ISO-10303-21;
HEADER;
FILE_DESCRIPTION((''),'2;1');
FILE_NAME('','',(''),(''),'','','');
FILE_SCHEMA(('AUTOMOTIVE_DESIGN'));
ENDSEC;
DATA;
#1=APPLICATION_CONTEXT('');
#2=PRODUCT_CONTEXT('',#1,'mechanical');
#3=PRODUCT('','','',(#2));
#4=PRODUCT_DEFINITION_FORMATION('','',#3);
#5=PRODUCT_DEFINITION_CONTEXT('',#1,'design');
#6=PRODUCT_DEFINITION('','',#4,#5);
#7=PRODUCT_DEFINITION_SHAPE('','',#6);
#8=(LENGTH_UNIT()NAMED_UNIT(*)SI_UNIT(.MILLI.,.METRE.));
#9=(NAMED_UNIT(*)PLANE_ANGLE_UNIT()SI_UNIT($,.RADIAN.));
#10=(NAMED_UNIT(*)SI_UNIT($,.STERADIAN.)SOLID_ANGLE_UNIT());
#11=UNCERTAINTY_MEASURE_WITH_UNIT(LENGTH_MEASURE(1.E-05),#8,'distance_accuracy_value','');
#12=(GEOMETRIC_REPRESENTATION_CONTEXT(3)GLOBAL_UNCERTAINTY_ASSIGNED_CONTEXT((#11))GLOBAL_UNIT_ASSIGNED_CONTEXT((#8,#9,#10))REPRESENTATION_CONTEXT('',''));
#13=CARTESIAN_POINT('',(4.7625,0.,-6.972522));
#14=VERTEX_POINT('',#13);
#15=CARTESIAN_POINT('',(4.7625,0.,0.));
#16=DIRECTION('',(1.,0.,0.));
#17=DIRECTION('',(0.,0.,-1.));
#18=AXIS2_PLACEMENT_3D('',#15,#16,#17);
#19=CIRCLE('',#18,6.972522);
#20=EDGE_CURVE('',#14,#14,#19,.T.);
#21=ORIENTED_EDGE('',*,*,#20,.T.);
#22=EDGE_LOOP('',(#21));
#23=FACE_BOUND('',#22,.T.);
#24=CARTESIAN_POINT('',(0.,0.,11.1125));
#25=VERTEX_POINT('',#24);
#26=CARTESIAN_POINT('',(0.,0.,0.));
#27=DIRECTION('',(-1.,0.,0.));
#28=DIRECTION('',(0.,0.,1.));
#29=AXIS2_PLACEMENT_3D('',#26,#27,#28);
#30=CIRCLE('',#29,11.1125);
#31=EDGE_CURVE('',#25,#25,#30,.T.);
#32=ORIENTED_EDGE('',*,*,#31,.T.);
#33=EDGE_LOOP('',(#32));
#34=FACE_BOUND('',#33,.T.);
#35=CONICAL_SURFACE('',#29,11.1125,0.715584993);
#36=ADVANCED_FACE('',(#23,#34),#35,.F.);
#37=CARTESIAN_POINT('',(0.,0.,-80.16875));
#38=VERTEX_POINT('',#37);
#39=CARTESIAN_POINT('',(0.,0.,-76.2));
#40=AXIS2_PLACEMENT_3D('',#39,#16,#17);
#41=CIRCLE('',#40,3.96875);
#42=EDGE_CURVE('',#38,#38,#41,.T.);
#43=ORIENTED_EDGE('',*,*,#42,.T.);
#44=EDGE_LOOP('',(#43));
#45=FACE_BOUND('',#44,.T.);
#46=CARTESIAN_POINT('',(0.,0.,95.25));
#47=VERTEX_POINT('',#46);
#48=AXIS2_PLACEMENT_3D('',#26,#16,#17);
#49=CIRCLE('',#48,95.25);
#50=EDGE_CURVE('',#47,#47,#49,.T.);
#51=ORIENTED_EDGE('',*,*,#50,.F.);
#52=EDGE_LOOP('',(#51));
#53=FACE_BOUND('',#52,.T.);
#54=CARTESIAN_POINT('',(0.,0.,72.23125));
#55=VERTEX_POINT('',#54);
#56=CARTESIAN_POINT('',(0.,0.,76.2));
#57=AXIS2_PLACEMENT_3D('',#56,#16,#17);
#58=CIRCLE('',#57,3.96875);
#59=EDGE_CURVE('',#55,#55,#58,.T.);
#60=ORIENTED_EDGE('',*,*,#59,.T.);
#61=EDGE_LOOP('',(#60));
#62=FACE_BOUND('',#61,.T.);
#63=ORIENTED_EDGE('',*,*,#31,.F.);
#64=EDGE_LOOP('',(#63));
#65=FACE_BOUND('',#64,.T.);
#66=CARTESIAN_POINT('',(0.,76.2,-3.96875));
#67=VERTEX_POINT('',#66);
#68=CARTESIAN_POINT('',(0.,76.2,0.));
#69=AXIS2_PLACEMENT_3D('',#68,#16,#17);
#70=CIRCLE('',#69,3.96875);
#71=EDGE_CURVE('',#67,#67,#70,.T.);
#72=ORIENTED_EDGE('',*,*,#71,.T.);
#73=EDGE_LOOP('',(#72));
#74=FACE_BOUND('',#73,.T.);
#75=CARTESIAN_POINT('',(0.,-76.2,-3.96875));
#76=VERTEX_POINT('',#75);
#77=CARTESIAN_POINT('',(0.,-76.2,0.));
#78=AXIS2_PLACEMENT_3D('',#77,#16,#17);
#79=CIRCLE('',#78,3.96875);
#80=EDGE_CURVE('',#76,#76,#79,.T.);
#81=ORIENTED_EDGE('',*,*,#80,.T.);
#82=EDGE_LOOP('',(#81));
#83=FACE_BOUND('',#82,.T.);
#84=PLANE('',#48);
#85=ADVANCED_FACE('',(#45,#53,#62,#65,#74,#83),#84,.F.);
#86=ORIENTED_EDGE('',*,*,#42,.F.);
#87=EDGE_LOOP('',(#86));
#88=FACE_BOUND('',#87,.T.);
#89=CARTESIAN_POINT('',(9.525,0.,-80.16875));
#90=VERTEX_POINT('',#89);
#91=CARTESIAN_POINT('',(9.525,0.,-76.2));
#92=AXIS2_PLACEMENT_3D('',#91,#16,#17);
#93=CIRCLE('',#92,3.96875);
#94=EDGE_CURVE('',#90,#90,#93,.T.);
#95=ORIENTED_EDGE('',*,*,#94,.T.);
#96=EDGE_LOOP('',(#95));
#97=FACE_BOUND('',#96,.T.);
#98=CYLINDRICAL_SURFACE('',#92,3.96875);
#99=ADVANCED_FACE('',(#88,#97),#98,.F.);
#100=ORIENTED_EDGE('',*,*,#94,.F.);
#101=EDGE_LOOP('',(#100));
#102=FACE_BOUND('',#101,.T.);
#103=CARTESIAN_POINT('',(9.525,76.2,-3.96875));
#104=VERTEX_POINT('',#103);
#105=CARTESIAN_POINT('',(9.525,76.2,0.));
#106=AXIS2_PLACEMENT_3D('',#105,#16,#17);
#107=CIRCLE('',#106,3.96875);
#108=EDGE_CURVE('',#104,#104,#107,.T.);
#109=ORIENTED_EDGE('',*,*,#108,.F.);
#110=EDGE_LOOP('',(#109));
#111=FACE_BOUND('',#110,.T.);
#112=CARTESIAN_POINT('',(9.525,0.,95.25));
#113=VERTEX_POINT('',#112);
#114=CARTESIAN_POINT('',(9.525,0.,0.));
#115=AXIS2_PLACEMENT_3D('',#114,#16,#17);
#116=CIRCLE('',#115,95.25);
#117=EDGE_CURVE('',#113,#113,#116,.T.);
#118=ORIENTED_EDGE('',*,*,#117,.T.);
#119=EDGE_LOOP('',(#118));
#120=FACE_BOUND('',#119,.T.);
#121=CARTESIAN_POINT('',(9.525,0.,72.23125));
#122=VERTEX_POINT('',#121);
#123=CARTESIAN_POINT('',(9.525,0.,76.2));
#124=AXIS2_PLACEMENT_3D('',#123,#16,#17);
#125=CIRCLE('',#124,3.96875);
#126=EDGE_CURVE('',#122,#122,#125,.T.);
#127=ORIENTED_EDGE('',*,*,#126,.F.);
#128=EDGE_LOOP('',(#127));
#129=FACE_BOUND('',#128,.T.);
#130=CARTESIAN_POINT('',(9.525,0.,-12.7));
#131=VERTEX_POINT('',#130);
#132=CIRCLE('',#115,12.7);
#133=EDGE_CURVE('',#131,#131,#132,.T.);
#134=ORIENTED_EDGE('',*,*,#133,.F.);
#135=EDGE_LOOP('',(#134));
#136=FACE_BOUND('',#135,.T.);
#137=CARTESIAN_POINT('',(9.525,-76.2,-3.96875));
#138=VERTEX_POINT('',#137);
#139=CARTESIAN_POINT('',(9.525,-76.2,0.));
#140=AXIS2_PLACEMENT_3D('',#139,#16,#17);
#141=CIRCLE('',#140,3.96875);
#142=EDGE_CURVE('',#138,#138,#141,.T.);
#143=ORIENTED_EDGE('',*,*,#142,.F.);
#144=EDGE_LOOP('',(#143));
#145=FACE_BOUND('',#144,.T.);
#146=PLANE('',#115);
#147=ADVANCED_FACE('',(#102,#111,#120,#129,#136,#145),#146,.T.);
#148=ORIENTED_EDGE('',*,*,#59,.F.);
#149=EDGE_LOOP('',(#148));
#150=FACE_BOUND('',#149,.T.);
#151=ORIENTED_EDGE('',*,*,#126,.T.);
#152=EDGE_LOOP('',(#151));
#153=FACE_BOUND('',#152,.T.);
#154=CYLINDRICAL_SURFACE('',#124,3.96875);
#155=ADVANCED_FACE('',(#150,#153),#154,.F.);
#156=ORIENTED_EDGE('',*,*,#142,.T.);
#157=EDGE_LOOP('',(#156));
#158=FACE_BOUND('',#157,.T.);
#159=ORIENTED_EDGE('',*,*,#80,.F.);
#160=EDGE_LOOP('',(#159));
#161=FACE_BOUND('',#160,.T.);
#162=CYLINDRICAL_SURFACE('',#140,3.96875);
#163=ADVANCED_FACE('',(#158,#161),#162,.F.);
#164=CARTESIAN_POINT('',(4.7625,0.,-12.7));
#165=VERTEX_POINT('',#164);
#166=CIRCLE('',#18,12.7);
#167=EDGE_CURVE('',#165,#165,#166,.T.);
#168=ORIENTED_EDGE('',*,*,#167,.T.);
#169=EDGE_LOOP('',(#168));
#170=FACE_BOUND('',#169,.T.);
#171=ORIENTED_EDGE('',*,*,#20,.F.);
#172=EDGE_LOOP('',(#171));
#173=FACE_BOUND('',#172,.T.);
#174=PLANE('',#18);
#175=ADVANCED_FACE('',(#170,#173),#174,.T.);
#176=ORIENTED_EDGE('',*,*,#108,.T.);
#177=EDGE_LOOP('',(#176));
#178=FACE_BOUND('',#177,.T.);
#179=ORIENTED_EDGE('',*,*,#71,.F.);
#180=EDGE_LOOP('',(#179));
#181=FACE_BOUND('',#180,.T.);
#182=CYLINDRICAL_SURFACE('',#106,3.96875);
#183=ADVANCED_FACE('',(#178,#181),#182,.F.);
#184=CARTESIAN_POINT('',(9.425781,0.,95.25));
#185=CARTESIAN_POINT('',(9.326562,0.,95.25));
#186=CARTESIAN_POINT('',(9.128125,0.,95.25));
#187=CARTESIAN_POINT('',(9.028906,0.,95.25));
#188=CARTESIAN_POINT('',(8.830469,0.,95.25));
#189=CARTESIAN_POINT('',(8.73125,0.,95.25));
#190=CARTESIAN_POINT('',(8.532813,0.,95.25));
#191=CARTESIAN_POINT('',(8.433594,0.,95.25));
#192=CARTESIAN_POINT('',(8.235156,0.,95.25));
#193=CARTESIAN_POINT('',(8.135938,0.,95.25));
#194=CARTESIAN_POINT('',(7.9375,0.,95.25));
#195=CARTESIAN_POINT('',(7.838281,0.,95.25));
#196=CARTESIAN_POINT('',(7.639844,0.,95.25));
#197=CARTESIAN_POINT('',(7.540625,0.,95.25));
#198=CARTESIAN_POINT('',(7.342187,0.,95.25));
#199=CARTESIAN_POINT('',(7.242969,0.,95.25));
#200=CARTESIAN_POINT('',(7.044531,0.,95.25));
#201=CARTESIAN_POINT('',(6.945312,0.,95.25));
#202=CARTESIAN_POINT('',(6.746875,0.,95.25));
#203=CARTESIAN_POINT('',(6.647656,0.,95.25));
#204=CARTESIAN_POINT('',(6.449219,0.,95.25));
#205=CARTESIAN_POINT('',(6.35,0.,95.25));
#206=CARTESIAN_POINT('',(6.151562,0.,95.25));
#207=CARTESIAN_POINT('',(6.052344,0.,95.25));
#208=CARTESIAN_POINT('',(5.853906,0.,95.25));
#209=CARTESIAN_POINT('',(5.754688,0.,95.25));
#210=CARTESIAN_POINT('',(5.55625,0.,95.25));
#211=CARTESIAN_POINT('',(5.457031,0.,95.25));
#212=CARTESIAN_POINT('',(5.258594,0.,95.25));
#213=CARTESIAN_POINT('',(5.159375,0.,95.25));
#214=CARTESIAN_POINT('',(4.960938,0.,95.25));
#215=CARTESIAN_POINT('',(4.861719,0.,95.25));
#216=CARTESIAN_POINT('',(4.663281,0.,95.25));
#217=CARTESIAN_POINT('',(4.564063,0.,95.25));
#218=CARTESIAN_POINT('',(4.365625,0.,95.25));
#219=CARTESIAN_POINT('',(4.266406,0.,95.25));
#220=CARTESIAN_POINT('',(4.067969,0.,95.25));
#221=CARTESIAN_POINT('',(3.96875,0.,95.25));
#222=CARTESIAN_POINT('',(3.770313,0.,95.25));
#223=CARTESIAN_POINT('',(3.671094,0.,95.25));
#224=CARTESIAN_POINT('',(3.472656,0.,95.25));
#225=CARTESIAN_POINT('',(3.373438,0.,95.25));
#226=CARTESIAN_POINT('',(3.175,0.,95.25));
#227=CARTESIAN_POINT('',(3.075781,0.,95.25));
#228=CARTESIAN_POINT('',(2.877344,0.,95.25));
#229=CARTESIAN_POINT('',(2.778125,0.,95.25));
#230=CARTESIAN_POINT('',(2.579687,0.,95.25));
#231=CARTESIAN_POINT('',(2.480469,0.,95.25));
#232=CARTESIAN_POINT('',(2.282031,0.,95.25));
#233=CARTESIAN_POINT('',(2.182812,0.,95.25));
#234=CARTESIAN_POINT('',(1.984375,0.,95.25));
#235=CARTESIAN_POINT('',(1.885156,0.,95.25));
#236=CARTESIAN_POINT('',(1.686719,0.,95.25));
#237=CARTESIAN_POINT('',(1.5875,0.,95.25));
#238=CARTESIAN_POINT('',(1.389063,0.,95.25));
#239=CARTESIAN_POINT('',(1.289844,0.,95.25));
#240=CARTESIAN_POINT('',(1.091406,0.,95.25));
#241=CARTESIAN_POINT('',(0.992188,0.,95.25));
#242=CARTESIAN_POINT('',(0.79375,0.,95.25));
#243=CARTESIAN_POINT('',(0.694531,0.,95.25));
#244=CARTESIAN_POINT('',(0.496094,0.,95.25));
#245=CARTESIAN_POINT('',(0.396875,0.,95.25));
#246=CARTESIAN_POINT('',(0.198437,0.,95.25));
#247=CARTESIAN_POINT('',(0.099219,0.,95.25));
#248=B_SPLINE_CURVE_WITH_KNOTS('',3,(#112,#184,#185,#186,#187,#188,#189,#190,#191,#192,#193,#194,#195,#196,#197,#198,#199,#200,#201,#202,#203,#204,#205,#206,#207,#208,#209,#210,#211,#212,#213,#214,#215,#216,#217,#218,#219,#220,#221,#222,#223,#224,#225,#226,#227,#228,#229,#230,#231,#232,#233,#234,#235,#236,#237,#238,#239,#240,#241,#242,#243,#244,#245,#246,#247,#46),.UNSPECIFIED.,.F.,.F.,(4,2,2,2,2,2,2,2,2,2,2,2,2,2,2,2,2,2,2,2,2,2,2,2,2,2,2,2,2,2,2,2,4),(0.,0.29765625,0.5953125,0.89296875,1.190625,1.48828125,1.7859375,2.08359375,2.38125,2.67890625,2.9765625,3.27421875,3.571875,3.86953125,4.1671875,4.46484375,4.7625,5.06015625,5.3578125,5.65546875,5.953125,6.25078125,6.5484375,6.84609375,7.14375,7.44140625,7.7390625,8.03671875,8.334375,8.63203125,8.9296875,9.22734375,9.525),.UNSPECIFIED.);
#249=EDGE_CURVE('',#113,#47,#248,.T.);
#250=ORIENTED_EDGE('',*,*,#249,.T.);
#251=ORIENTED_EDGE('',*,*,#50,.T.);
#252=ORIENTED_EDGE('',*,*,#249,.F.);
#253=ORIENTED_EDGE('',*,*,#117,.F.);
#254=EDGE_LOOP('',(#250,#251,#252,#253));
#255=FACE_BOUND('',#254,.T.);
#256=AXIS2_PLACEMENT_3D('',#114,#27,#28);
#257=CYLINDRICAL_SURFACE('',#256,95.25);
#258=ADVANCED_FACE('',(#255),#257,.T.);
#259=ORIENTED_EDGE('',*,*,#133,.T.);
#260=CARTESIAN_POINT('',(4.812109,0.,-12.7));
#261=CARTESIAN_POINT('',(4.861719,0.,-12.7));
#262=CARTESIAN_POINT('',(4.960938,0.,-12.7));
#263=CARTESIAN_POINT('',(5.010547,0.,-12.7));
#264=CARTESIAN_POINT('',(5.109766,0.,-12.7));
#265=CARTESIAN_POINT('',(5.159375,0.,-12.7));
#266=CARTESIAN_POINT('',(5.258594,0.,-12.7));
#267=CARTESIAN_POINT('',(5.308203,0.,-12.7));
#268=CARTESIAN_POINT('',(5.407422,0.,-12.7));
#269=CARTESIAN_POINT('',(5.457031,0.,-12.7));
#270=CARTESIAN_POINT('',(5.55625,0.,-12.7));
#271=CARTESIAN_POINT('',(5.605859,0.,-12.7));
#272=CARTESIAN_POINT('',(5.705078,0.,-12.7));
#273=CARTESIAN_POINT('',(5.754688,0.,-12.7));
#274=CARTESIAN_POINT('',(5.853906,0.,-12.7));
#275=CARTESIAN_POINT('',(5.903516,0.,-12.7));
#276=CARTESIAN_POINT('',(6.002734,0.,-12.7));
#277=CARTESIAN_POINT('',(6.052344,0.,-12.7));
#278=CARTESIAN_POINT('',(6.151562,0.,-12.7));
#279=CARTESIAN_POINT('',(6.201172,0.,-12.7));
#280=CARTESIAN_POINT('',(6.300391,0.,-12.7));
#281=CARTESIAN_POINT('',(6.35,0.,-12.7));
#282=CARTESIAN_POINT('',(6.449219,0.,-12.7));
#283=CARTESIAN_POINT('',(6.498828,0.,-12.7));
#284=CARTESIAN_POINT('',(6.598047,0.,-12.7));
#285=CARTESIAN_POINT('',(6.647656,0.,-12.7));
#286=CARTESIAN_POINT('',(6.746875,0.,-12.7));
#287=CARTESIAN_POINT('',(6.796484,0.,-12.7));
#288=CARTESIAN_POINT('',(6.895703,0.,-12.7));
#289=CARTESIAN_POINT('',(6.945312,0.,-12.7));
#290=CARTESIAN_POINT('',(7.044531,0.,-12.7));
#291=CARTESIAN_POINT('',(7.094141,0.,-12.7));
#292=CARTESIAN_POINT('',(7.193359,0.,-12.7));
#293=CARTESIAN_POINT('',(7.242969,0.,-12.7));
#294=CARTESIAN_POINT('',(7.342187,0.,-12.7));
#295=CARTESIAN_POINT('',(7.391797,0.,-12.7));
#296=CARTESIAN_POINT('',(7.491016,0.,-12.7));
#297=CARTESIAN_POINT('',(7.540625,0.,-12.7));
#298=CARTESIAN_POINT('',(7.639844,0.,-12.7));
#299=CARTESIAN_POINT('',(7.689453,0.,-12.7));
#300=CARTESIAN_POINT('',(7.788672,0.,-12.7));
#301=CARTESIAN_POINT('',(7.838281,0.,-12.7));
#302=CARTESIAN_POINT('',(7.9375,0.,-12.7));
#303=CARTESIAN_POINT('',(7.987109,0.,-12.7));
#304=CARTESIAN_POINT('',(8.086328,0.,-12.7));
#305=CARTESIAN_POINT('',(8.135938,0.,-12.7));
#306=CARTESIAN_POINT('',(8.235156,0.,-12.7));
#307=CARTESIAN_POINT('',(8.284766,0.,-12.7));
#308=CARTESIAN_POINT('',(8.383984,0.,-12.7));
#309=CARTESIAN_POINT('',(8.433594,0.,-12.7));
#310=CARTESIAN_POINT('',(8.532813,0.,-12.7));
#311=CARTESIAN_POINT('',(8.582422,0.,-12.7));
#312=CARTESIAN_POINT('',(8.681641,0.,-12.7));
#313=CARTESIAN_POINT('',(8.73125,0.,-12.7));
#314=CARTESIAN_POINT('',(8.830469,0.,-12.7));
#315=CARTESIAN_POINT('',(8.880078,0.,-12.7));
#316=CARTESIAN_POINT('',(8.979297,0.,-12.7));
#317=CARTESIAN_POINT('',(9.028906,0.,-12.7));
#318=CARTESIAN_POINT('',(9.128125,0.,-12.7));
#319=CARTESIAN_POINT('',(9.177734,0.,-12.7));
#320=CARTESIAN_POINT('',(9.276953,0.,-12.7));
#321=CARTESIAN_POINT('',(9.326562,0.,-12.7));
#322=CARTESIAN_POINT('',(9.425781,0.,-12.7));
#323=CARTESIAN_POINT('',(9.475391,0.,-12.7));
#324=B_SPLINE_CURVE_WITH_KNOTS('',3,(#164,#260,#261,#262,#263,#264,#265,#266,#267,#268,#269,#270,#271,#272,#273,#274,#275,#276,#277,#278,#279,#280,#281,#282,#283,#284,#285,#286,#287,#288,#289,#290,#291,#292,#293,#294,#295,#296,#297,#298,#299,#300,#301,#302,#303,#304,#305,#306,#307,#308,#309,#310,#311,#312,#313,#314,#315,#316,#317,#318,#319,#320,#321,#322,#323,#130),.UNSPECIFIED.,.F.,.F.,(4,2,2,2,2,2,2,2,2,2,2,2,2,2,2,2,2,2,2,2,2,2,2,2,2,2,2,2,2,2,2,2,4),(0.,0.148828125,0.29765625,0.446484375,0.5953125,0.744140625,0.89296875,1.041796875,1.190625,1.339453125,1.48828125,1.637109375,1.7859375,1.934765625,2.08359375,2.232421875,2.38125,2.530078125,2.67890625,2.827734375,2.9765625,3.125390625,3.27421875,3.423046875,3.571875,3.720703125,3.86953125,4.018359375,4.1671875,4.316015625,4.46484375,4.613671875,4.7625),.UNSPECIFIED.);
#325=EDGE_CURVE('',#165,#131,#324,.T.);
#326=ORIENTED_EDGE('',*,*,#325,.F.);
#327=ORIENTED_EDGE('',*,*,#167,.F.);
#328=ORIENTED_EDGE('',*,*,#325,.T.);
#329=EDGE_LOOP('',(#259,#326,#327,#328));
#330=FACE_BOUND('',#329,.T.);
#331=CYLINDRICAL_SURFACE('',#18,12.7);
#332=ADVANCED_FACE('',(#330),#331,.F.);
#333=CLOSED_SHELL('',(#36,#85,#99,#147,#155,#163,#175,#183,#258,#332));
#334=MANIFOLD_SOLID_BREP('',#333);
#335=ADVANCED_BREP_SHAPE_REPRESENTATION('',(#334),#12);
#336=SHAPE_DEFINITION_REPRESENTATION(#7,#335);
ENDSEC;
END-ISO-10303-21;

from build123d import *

# Parameters (mm, degrees)
SKETCH1_R               = 95.25
BOSS_EXTRUDE1_DEPTH     = 9.525
SKETCH2_R               = 12.7
CUT_EXTRUDE1_DEPTH      = 4.7625
F_3_8_16_TAPPED_HOLE1_D = 7.9375
CIRPATTERN1_COUNT       = 4


with BuildPart() as part:
    # Sketch1 → Boss-Extrude1 (new body)
    with BuildSketch(Plane(origin=(0, 0, 0), x_dir=(0, 0, -1), z_dir=(1, 0, 0))):
        with Locations(Location((0, 0, 0), (0, 0, 180))):
            Circle(SKETCH1_R)
    extrude(amount=BOSS_EXTRUDE1_DEPTH)

    # Sketch2 → Cut-Extrude1 (cut)
    with BuildSketch(Plane(origin=(9.525, 0, 0), x_dir=(0, 0, -1), z_dir=(1, 0, 0))):
        Circle(SKETCH2_R)
    extrude(amount=-CUT_EXTRUDE1_DEPTH, mode=Mode.SUBTRACT)

    # Sketch4 → CSK for 1/2 Flat Head Machine Screw1 (revolve, cut)
    with BuildSketch(Plane.ZX):
        Polygon((0, 0), (0, 9.525), (6.74624, 9.525), (6.74624, 5.022807562), (11.1125, 0), align=None)
    revolve(axis=Axis((-6.35, 0, 0), (1, 0, 0)), mode=Mode.SUBTRACT)

    # 3/8-16 Tapped Hole1 (through all)
    with Locations(Plane(origin=(9.525, 0, 0), x_dir=(0, 0, -1), z_dir=(1, 0, 0))):
        with Locations((0, -76.2)):
            f_3_8_16_tapped_hole1 = Hole(F_3_8_16_TAPPED_HOLE1_D / 2)

    # CirPattern1: 3/8-16 Tapped Hole1 ×4 about axis
    cirpattern1_axis = Axis((0, 0, 0), (1, 0, 0))
    for i in range(1, CIRPATTERN1_COUNT):
        add(f_3_8_16_tapped_hole1.rotate(cirpattern1_axis, i * 360 / CIRPATTERN1_COUNT), mode=Mode.SUBTRACT)


solid = part.part
